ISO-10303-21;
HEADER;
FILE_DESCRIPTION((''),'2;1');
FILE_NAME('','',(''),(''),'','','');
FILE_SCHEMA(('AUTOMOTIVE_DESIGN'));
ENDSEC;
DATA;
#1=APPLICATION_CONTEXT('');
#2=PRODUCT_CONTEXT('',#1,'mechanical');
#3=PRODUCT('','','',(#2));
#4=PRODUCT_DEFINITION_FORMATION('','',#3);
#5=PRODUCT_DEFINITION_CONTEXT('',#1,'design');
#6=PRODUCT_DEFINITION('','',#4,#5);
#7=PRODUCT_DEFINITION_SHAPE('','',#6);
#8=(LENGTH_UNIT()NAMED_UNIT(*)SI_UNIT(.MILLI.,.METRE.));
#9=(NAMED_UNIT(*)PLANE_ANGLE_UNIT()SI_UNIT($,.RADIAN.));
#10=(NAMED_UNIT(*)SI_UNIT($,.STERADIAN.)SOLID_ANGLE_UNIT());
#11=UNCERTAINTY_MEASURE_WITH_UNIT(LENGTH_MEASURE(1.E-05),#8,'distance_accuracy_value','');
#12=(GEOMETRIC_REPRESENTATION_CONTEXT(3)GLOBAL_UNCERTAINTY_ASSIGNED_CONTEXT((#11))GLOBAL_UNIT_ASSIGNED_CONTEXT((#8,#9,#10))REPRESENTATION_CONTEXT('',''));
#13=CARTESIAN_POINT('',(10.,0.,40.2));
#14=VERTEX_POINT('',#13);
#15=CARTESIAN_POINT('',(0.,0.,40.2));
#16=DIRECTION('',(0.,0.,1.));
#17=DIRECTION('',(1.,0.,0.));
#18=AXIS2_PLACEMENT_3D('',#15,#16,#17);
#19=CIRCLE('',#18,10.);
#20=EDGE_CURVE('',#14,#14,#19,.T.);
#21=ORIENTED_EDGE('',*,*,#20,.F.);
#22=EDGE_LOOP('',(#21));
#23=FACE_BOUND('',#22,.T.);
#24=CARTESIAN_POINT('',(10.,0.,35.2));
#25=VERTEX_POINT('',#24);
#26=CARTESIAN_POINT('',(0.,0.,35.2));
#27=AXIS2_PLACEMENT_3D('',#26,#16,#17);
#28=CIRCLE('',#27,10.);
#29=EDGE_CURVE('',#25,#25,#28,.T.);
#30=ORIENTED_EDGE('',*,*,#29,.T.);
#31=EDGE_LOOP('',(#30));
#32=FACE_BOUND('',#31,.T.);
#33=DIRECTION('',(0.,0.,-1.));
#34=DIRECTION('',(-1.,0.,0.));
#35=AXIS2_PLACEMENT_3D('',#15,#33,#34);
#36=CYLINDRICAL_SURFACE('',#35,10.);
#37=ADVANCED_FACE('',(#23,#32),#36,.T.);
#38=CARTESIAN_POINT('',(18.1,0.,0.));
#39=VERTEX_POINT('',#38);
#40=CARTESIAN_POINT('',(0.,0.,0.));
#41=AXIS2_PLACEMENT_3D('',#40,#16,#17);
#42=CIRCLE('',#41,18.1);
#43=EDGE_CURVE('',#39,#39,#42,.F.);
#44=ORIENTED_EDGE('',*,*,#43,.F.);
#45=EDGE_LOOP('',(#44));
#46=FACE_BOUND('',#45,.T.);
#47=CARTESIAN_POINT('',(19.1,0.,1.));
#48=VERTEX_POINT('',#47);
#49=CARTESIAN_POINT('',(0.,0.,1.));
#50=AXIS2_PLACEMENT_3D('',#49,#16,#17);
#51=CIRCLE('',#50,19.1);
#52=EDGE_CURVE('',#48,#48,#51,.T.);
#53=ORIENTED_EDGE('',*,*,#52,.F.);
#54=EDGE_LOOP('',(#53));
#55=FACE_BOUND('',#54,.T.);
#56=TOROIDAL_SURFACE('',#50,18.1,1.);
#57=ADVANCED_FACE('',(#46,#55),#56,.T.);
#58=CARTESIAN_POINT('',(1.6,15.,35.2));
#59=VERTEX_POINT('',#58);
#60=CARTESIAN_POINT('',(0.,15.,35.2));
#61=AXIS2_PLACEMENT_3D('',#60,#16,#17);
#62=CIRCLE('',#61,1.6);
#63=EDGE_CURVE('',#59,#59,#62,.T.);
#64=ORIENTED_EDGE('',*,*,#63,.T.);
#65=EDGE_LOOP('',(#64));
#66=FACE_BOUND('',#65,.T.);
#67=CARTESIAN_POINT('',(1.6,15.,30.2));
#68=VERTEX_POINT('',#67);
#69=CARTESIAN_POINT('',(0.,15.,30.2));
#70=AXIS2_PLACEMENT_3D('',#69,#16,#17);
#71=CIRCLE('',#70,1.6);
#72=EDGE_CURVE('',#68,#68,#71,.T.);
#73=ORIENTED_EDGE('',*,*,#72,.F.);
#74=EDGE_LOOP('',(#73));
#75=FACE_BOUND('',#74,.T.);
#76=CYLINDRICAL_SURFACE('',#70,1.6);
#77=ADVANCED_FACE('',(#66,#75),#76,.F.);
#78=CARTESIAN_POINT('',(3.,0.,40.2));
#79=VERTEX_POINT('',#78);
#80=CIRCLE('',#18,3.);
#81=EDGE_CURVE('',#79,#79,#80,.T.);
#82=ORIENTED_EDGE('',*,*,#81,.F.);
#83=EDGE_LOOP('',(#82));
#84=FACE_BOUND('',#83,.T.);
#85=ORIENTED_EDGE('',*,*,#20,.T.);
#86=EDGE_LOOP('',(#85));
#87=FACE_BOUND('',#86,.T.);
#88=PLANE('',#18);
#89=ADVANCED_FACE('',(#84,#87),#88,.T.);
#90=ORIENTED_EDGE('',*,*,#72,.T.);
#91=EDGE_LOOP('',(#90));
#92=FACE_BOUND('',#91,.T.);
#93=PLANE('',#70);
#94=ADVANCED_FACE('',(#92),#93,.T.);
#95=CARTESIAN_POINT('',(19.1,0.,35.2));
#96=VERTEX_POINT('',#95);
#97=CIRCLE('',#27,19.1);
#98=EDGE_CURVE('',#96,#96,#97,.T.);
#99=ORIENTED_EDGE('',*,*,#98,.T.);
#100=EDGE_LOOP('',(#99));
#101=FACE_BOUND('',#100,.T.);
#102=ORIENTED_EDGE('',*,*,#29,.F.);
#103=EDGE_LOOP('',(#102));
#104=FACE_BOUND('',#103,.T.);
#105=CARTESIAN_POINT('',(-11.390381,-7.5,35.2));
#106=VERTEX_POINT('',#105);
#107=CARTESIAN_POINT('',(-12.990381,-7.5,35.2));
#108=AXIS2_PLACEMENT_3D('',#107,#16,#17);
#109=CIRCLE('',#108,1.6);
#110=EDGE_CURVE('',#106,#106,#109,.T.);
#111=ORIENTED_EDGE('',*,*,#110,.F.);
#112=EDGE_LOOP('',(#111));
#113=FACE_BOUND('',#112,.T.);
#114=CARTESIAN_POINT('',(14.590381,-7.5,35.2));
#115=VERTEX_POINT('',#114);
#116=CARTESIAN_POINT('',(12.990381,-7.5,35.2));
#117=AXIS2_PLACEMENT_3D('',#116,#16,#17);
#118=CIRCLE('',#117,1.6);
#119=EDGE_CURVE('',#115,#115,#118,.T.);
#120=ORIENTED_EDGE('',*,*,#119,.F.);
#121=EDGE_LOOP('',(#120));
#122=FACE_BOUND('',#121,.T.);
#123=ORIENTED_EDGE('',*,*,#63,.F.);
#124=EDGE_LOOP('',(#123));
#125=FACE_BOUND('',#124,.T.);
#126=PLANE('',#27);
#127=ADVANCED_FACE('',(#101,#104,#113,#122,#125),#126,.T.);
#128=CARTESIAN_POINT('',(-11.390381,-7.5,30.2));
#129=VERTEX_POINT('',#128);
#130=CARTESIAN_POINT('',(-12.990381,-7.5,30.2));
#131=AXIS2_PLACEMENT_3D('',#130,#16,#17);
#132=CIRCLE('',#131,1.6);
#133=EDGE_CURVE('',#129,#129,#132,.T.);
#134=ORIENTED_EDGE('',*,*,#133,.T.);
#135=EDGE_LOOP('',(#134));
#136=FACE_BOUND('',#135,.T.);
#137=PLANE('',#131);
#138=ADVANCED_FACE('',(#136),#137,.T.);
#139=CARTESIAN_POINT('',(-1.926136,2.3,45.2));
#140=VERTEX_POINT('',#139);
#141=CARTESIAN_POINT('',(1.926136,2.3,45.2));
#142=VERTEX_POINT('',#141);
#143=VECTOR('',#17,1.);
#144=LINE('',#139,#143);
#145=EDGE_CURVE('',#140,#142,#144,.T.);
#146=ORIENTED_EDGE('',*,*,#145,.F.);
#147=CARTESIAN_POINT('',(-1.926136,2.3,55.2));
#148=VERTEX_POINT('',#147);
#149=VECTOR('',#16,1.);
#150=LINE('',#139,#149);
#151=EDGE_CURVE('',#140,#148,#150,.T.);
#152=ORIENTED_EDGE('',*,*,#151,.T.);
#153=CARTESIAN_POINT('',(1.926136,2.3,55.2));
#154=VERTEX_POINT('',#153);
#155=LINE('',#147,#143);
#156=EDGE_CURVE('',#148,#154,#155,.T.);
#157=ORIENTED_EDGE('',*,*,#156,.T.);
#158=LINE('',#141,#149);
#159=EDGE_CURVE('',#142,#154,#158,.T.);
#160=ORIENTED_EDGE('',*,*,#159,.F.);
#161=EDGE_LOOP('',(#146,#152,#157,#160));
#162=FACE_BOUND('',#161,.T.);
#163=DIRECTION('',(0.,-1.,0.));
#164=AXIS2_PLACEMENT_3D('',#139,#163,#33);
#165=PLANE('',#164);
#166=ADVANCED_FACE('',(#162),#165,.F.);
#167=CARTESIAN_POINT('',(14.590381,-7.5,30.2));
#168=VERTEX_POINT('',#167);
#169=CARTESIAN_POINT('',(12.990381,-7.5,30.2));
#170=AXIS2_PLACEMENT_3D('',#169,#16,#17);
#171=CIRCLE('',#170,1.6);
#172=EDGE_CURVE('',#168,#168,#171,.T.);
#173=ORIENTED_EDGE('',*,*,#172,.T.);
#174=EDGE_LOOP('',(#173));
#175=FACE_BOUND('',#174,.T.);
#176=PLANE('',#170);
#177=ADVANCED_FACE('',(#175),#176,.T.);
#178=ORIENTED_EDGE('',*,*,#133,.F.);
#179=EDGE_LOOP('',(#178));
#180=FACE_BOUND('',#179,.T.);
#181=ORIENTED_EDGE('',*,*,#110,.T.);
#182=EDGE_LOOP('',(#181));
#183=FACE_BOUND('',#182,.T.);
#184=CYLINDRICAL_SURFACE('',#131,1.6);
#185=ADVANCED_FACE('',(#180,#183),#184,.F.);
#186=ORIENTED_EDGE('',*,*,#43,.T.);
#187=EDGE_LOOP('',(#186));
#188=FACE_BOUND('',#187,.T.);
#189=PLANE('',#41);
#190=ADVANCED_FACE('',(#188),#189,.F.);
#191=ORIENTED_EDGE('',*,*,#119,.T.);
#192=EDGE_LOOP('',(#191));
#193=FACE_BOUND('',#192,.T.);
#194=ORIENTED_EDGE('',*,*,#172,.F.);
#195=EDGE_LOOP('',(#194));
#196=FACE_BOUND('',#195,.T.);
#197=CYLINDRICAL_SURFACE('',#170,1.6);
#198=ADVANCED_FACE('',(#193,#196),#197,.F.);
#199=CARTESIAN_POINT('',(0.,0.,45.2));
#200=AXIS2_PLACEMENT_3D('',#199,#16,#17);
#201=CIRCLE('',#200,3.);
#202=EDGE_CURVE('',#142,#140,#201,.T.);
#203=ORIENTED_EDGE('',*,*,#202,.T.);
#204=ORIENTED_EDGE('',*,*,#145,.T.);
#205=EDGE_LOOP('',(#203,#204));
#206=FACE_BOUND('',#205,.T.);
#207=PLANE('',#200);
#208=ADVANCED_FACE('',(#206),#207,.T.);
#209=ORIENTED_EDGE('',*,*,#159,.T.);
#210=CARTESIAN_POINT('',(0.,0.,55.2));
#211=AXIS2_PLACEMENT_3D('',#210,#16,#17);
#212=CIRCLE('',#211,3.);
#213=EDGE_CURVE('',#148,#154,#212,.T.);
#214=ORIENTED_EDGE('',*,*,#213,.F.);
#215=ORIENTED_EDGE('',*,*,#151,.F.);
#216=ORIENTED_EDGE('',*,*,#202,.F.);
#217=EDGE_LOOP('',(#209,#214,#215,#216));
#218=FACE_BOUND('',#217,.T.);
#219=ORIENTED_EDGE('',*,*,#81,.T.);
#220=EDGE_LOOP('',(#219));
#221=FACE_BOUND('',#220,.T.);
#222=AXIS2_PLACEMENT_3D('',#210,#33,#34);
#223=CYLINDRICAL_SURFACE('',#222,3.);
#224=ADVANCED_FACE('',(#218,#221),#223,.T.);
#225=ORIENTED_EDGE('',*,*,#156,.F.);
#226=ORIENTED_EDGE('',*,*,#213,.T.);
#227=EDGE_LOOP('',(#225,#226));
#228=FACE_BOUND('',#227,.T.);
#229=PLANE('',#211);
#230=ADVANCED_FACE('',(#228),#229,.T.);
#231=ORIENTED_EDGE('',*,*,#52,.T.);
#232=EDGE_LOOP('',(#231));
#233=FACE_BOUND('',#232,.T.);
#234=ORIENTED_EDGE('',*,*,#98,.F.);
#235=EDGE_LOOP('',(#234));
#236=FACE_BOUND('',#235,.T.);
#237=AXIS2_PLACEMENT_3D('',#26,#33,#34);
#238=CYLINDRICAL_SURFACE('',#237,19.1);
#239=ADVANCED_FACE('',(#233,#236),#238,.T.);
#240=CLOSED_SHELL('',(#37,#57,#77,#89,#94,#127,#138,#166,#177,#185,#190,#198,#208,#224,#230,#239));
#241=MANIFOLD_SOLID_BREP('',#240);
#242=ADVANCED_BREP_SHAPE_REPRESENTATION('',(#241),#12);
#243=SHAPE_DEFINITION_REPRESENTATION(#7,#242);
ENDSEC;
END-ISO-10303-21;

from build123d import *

# Parameters (mm, degrees)
SKETCH_1_R          = 19.1
EXTRUDE_1_DEPTH     = 35.2
SKETCH_2_R          = 10
EXTRUDE_2_DEPTH     = 5
SKETCH_4_R          = 1.6
CUT_EXTRUDE_1_DEPTH = 5
SKETCH_5_R          = 3
EXTRUDE_3_DEPTH     = 15
CUT_EXTRUDE_START   = -10
CUT_EXTRUDE_2_DEPTH = 10
FILLET_1_R          = 1


with BuildPart() as part:
    # 草图1 → 凸台-拉伸1 (new body)
    with BuildSketch(Plane.XY):
        Circle(SKETCH_1_R)
    extrude(amount=EXTRUDE_1_DEPTH)

    # 草图2 → 凸台-拉伸2 (add)
    with BuildSketch(Plane.XY.offset(35.2)):
        Circle(SKETCH_2_R)
    extrude(amount=EXTRUDE_2_DEPTH)

    # 草图4 → 切除-拉伸1 (cut)
    with BuildSketch(Plane.XY.offset(35.2)):
        with Locations((0, 15)):
            Circle(SKETCH_4_R)
        with Locations((12.990381057, -7.5)):
            Circle(SKETCH_4_R)
        with Locations((-12.990381057, -7.5)):
            Circle(SKETCH_4_R)
    extrude(amount=-CUT_EXTRUDE_1_DEPTH, mode=Mode.SUBTRACT)

    # 草图5 → 凸台-拉伸3 (add)
    with BuildSketch(Plane.XY.offset(40.2)):
        Circle(SKETCH_5_R)
    extrude(amount=EXTRUDE_3_DEPTH)

    # 草图6 → 切除-拉伸2 (cut)
    with BuildSketch(Plane.XY.offset(55.2).offset(CUT_EXTRUDE_START)):
        with BuildLine():
            Line((-1.926136028, 2.3), (1.926136028, 2.3))
            ThreePointArc((1.926136028, 2.3), (0, 3), (-1.926136028, 2.3))
        make_face()
    extrude(amount=CUT_EXTRUDE_2_DEPTH, mode=Mode.SUBTRACT)

    # 圆角1
    fillet_1_edges = [part.edges().sort_by_distance(p)[0] for p in [
        (-19.1, 0, 0),
    ]]
    fillet(fillet_1_edges, radius=FILLET_1_R)


solid = part.part
